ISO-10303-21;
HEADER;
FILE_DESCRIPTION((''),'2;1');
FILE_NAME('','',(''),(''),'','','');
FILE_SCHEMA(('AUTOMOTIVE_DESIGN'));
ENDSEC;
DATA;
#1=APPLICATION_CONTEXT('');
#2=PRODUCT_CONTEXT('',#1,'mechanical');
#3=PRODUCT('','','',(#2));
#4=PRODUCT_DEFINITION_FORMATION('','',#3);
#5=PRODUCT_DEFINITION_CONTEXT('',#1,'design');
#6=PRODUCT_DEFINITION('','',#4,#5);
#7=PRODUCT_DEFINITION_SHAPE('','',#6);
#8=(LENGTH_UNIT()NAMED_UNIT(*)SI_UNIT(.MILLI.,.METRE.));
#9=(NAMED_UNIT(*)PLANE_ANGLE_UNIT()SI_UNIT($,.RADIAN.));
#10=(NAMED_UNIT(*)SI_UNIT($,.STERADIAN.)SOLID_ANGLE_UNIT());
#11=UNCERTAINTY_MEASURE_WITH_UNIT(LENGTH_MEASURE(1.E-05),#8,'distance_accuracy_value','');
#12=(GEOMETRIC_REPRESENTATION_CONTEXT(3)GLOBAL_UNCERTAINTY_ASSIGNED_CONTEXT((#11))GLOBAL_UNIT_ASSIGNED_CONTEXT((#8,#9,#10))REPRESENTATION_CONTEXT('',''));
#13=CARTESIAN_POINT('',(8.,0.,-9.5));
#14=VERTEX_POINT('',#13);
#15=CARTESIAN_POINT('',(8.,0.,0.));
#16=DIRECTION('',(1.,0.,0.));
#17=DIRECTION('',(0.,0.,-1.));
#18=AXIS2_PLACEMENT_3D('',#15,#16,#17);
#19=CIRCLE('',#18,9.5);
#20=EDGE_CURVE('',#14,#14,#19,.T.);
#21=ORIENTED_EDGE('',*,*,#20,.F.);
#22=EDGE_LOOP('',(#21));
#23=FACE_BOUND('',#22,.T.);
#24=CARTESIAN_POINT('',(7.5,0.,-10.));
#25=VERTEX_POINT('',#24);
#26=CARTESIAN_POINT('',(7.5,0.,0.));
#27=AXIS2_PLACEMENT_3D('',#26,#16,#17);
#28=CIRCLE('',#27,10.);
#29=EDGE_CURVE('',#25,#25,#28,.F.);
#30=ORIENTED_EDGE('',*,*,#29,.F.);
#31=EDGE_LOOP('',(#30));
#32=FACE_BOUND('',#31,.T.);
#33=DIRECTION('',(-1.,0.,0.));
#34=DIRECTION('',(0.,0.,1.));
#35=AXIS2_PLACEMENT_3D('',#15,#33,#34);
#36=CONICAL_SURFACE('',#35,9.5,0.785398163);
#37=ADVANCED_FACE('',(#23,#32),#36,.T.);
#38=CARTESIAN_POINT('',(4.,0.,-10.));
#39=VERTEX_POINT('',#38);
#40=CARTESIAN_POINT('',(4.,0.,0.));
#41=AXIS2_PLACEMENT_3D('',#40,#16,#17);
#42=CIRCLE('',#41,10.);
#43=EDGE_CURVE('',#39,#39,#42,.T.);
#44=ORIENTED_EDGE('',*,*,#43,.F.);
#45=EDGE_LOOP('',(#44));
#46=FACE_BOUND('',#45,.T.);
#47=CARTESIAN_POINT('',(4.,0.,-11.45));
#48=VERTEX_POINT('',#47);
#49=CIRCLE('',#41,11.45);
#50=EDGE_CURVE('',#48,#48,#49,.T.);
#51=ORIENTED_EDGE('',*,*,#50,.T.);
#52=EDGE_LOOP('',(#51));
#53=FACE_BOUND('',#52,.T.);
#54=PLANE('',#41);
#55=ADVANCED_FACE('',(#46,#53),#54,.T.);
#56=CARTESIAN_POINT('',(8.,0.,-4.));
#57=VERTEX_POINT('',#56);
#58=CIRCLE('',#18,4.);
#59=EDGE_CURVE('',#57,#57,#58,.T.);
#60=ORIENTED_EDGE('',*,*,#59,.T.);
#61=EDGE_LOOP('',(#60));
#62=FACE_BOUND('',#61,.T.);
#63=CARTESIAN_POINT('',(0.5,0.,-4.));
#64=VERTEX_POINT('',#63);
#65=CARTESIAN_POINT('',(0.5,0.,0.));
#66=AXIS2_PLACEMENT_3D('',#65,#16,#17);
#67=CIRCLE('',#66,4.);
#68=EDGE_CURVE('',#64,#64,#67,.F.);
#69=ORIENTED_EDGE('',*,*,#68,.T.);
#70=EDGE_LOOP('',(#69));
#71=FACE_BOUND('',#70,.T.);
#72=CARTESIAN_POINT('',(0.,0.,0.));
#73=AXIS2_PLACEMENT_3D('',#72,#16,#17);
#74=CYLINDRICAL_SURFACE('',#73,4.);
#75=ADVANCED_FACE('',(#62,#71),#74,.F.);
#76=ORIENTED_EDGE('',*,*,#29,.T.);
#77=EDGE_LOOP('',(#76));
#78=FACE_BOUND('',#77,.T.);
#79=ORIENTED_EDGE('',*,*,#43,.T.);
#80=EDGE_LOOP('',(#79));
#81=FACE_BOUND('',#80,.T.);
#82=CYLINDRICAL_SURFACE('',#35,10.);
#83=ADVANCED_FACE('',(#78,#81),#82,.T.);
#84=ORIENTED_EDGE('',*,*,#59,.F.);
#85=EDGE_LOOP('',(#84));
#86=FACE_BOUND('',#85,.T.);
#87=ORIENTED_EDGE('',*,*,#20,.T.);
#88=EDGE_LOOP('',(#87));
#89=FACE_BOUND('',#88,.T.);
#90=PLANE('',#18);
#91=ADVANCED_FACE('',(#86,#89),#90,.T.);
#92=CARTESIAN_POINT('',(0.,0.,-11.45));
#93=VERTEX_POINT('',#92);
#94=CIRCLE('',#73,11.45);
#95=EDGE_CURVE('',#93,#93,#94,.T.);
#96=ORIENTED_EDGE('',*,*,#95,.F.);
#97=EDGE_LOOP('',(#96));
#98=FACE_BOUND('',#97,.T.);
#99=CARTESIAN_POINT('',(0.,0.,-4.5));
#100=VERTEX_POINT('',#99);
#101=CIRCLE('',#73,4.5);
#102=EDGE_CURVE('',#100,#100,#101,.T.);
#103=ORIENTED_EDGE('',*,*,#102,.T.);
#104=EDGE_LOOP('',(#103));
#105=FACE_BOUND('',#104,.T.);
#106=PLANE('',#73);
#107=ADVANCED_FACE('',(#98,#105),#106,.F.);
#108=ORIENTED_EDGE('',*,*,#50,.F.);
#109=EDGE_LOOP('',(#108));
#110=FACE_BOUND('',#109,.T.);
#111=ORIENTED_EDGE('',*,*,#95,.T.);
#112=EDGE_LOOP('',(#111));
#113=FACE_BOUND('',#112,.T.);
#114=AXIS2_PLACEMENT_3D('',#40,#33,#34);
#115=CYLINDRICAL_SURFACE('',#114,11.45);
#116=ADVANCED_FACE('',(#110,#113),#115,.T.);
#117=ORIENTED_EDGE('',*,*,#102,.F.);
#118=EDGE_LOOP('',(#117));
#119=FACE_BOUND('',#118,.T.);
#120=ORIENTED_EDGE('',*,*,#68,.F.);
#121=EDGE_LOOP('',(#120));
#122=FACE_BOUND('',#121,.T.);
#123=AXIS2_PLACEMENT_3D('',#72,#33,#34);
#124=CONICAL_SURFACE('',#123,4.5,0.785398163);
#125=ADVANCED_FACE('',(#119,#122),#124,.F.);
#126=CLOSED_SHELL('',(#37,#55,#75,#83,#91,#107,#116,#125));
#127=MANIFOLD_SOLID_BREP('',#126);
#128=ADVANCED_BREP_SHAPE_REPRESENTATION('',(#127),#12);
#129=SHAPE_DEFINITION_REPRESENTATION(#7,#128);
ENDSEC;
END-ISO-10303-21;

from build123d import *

# Parameters (mm, degrees)
SKETCH1_R           = 11.45
BOSS_EXTRUDE1_DEPTH = 4
SKETCH2_R           = 10
BOSS_EXTRUDE2_DEPTH = 4
SKETCH3_R           = 4
CUT_EXTRUDE1_DEPTH  = 8
CHAMFER1_SIZE       = 0.5


with BuildPart() as part:
    # Sketch1 → Boss-Extrude1 (new body)
    with BuildSketch(Plane(origin=(0, 0, 0), x_dir=(0, 0, -1), z_dir=(1, 0, 0))):
        Circle(SKETCH1_R)
    extrude(amount=BOSS_EXTRUDE1_DEPTH)

    # Sketch2 → Boss-Extrude2 (add)
    with BuildSketch(Plane(origin=(4, 0, 0), x_dir=(0, 0, -1), z_dir=(1, 0, 0))):
        Circle(SKETCH2_R)
    extrude(amount=BOSS_EXTRUDE2_DEPTH)

    # Sketch3 → Cut-Extrude1 (cut)
    with BuildSketch(Plane(origin=(8, 0, 0), x_dir=(0, 0, -1), z_dir=(1, 0, 0))):
        Circle(SKETCH3_R)
    extrude(amount=-CUT_EXTRUDE1_DEPTH, mode=Mode.SUBTRACT)

    # Chamfer1
    chamfer1_edges = [part.edges().sort_by_distance(p)[0] for p in [
        (0, 0, 4),
        (8, 0, 10),
    ]]
    chamfer(chamfer1_edges, length=CHAMFER1_SIZE)


solid = part.part
